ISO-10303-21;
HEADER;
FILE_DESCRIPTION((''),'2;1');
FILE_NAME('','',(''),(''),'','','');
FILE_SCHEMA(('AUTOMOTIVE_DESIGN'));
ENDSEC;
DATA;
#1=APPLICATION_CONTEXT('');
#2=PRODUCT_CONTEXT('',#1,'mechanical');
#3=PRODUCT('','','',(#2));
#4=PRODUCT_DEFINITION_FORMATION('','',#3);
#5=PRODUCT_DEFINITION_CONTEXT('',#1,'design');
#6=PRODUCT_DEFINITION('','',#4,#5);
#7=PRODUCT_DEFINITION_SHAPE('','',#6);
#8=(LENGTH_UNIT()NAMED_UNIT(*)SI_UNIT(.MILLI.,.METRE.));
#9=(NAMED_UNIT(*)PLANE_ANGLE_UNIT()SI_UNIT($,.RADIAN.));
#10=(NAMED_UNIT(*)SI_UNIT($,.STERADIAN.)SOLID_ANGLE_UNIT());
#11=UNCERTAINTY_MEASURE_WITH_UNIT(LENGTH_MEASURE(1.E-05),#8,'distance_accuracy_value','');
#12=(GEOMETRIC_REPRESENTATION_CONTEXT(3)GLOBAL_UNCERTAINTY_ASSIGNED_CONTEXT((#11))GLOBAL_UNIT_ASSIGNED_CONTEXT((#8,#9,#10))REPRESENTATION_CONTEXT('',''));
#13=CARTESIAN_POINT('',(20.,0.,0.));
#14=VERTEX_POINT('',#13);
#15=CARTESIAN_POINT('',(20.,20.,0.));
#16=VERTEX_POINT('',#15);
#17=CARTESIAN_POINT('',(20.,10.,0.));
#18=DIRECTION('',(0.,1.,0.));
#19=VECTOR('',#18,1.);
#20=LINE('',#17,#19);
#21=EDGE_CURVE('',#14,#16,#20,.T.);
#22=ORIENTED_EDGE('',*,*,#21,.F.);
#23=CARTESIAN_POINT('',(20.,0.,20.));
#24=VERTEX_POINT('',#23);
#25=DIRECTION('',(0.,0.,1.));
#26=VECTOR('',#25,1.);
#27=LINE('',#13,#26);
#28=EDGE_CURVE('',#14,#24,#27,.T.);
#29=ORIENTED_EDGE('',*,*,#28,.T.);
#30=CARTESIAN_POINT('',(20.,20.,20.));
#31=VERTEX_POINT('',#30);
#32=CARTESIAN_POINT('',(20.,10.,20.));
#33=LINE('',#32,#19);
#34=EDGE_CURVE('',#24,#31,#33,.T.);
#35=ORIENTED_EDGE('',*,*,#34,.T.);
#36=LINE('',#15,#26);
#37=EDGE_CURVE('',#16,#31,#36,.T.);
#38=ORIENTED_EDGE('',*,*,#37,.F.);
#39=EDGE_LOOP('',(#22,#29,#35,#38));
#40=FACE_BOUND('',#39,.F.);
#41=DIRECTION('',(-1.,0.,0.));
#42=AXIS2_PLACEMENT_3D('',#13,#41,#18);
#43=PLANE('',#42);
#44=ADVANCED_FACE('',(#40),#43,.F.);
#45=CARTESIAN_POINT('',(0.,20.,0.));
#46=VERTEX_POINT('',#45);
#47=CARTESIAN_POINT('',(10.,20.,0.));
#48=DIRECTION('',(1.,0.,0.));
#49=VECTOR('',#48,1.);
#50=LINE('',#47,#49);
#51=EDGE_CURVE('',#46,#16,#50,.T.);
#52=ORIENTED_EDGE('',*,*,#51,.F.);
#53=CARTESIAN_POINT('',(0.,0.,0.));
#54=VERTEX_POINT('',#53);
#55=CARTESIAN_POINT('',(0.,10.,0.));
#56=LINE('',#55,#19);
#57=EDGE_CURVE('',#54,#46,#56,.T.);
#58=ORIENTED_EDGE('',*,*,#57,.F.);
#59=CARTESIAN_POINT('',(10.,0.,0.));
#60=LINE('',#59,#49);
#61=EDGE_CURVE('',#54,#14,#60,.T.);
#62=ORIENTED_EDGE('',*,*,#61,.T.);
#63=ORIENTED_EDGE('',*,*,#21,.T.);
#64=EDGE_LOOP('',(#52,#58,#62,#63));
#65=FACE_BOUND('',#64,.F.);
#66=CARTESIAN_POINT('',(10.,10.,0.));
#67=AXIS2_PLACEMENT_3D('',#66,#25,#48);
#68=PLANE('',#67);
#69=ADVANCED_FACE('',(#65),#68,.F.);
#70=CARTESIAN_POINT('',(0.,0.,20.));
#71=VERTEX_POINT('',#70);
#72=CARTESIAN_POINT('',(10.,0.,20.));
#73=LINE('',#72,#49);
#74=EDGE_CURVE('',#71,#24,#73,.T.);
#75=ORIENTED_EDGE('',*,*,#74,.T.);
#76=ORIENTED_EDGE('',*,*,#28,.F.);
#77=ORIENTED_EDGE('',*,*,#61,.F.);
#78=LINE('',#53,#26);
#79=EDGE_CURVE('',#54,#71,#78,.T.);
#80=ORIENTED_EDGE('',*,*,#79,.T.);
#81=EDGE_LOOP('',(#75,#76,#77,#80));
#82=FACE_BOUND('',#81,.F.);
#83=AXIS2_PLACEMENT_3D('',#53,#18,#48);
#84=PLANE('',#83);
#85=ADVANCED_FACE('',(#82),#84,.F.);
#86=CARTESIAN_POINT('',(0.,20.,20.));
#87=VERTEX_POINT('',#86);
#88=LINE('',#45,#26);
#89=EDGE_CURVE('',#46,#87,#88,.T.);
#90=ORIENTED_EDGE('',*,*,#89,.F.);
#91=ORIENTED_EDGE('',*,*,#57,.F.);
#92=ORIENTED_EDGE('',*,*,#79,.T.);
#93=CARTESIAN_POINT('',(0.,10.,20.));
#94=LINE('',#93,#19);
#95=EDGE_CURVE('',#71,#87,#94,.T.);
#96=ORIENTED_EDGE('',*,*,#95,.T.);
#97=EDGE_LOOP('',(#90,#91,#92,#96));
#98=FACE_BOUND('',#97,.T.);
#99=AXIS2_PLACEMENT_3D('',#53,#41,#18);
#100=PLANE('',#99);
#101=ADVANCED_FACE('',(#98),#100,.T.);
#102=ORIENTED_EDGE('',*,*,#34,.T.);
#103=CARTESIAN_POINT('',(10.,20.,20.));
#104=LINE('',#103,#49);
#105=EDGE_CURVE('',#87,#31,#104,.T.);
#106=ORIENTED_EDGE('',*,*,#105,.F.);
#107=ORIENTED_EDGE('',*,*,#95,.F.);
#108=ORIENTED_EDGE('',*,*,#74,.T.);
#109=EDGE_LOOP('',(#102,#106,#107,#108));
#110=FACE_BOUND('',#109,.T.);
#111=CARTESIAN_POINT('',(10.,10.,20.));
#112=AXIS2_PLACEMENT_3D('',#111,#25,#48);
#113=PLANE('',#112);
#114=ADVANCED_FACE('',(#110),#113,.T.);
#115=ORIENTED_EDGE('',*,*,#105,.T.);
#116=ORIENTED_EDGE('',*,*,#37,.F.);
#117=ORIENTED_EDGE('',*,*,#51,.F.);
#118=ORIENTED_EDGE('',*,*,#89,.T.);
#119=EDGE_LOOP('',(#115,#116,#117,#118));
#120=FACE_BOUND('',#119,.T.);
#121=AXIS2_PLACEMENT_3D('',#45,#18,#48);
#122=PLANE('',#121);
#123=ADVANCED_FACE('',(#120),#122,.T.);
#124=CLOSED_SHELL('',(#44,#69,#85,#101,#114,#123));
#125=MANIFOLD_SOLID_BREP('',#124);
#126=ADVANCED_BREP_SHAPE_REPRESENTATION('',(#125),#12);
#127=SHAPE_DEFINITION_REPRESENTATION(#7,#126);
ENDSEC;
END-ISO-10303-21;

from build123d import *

# Parameters (mm, degrees)
BOX_W     = 20
BOX_H     = 20
BOX_DEPTH = 20


with BuildPart() as part:
    # Box → Box (new body)
    with BuildSketch(Plane.XY):
        with Locations((10, 10)):
            Rectangle(BOX_W, BOX_H)
    extrude(amount=BOX_DEPTH)


solid = part.part
